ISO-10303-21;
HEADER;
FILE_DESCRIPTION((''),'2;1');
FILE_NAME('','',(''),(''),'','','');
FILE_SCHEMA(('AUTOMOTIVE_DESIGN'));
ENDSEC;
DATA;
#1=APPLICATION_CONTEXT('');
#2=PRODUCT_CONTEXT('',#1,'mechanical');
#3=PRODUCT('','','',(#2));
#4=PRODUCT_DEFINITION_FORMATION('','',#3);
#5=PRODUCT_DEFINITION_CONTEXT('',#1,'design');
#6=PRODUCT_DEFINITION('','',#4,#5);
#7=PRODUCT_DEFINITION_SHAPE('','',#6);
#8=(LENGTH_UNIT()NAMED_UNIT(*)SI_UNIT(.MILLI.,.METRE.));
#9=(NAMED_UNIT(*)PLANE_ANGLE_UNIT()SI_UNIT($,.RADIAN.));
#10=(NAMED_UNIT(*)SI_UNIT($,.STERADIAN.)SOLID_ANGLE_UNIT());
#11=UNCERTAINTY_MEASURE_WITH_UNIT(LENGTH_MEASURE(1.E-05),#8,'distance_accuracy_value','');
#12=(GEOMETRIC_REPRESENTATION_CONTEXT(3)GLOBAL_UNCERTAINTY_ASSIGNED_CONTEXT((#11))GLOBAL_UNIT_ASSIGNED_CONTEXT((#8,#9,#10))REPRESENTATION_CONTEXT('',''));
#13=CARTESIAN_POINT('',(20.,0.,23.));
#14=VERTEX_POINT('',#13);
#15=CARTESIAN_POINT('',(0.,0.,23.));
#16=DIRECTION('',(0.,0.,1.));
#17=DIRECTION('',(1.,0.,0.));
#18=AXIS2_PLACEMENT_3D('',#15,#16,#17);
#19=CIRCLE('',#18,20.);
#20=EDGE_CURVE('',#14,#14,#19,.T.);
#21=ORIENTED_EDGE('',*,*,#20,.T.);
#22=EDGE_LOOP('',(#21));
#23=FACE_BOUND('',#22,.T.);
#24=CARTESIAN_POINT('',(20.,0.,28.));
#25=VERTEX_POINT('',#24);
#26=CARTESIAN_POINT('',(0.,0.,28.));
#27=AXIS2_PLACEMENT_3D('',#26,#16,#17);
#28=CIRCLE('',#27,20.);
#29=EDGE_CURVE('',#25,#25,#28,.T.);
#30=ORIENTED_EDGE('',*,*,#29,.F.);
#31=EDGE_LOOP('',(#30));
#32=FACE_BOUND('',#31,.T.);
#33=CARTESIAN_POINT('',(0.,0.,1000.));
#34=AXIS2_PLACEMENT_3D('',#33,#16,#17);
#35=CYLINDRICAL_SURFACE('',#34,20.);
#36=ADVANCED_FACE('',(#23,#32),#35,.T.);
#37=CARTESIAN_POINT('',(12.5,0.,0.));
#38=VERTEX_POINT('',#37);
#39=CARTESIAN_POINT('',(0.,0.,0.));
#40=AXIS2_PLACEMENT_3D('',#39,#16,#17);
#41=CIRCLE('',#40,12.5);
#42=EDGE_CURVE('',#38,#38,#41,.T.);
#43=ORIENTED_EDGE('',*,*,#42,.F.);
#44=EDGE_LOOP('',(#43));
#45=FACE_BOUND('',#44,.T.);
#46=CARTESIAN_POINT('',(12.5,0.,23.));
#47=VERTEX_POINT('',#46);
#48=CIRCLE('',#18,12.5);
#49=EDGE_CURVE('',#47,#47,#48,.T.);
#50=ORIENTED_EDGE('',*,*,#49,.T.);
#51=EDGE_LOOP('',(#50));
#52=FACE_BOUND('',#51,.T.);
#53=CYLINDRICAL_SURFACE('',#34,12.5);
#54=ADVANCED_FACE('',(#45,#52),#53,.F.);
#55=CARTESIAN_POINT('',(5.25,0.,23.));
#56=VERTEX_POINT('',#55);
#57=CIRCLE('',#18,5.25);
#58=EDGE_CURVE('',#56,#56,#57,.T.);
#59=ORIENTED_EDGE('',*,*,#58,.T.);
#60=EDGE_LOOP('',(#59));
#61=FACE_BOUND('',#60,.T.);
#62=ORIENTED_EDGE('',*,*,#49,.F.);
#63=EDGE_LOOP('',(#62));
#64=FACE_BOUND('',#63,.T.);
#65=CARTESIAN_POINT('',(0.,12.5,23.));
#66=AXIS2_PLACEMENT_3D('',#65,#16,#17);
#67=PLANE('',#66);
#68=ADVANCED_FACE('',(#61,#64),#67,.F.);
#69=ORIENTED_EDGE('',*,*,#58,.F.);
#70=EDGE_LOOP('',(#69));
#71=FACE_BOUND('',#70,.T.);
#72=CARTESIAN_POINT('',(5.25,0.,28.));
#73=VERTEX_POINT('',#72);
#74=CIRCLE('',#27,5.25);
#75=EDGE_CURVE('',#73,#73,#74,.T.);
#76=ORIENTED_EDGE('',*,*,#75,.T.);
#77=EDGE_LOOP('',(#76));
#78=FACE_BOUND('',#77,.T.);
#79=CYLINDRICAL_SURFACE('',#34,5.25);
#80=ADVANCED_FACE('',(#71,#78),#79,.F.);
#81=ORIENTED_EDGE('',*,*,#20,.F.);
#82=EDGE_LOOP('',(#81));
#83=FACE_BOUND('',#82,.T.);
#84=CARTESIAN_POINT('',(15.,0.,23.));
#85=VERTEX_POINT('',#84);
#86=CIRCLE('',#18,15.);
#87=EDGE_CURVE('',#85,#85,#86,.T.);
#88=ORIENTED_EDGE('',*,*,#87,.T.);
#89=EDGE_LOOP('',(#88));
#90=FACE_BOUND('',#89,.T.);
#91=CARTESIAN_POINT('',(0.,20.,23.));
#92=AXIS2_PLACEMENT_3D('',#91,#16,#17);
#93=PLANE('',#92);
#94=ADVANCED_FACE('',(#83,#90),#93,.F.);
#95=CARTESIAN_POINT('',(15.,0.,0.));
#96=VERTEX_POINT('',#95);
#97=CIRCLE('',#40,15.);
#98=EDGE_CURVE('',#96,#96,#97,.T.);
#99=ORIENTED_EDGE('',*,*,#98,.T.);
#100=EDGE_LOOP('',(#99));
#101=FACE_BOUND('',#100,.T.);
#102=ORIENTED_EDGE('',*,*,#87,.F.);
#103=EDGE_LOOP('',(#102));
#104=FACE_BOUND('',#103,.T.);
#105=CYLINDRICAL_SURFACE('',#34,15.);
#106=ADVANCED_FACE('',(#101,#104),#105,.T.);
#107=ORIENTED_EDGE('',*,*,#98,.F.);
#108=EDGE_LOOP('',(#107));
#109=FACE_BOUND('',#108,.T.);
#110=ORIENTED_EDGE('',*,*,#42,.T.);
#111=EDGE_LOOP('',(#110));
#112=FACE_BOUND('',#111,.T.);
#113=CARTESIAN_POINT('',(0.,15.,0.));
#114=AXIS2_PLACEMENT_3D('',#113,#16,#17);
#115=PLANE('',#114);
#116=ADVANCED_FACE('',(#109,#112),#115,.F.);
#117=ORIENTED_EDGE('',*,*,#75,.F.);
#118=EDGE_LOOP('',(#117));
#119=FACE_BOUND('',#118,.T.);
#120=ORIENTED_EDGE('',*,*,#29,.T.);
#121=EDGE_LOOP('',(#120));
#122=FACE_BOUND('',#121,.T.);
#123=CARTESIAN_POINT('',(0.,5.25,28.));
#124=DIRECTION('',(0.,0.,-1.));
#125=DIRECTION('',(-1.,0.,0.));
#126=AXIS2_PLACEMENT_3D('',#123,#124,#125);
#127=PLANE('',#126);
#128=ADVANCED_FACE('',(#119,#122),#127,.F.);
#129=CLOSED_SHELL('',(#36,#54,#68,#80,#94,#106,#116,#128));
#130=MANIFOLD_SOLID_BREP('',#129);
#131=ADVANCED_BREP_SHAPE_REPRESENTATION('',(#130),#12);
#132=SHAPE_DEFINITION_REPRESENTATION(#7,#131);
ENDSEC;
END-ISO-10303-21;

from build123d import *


with BuildPart() as part:
    # Эскиз1 → Повернуть1 (revolve)
    with BuildSketch(Plane(origin=(0, 0, 0), x_dir=(0, 0, -1), z_dir=(1, 0, 0))):
        Polygon((0, 12.5), (-23, 12.5), (-23, 5.25), (-28, 5.25), (-28, 20), (-23, 20), (-23, 15), (0, 15), align=None)
    revolve(axis=Axis((0, 0, 1000), (0, 0, -1)))


solid = part.part
